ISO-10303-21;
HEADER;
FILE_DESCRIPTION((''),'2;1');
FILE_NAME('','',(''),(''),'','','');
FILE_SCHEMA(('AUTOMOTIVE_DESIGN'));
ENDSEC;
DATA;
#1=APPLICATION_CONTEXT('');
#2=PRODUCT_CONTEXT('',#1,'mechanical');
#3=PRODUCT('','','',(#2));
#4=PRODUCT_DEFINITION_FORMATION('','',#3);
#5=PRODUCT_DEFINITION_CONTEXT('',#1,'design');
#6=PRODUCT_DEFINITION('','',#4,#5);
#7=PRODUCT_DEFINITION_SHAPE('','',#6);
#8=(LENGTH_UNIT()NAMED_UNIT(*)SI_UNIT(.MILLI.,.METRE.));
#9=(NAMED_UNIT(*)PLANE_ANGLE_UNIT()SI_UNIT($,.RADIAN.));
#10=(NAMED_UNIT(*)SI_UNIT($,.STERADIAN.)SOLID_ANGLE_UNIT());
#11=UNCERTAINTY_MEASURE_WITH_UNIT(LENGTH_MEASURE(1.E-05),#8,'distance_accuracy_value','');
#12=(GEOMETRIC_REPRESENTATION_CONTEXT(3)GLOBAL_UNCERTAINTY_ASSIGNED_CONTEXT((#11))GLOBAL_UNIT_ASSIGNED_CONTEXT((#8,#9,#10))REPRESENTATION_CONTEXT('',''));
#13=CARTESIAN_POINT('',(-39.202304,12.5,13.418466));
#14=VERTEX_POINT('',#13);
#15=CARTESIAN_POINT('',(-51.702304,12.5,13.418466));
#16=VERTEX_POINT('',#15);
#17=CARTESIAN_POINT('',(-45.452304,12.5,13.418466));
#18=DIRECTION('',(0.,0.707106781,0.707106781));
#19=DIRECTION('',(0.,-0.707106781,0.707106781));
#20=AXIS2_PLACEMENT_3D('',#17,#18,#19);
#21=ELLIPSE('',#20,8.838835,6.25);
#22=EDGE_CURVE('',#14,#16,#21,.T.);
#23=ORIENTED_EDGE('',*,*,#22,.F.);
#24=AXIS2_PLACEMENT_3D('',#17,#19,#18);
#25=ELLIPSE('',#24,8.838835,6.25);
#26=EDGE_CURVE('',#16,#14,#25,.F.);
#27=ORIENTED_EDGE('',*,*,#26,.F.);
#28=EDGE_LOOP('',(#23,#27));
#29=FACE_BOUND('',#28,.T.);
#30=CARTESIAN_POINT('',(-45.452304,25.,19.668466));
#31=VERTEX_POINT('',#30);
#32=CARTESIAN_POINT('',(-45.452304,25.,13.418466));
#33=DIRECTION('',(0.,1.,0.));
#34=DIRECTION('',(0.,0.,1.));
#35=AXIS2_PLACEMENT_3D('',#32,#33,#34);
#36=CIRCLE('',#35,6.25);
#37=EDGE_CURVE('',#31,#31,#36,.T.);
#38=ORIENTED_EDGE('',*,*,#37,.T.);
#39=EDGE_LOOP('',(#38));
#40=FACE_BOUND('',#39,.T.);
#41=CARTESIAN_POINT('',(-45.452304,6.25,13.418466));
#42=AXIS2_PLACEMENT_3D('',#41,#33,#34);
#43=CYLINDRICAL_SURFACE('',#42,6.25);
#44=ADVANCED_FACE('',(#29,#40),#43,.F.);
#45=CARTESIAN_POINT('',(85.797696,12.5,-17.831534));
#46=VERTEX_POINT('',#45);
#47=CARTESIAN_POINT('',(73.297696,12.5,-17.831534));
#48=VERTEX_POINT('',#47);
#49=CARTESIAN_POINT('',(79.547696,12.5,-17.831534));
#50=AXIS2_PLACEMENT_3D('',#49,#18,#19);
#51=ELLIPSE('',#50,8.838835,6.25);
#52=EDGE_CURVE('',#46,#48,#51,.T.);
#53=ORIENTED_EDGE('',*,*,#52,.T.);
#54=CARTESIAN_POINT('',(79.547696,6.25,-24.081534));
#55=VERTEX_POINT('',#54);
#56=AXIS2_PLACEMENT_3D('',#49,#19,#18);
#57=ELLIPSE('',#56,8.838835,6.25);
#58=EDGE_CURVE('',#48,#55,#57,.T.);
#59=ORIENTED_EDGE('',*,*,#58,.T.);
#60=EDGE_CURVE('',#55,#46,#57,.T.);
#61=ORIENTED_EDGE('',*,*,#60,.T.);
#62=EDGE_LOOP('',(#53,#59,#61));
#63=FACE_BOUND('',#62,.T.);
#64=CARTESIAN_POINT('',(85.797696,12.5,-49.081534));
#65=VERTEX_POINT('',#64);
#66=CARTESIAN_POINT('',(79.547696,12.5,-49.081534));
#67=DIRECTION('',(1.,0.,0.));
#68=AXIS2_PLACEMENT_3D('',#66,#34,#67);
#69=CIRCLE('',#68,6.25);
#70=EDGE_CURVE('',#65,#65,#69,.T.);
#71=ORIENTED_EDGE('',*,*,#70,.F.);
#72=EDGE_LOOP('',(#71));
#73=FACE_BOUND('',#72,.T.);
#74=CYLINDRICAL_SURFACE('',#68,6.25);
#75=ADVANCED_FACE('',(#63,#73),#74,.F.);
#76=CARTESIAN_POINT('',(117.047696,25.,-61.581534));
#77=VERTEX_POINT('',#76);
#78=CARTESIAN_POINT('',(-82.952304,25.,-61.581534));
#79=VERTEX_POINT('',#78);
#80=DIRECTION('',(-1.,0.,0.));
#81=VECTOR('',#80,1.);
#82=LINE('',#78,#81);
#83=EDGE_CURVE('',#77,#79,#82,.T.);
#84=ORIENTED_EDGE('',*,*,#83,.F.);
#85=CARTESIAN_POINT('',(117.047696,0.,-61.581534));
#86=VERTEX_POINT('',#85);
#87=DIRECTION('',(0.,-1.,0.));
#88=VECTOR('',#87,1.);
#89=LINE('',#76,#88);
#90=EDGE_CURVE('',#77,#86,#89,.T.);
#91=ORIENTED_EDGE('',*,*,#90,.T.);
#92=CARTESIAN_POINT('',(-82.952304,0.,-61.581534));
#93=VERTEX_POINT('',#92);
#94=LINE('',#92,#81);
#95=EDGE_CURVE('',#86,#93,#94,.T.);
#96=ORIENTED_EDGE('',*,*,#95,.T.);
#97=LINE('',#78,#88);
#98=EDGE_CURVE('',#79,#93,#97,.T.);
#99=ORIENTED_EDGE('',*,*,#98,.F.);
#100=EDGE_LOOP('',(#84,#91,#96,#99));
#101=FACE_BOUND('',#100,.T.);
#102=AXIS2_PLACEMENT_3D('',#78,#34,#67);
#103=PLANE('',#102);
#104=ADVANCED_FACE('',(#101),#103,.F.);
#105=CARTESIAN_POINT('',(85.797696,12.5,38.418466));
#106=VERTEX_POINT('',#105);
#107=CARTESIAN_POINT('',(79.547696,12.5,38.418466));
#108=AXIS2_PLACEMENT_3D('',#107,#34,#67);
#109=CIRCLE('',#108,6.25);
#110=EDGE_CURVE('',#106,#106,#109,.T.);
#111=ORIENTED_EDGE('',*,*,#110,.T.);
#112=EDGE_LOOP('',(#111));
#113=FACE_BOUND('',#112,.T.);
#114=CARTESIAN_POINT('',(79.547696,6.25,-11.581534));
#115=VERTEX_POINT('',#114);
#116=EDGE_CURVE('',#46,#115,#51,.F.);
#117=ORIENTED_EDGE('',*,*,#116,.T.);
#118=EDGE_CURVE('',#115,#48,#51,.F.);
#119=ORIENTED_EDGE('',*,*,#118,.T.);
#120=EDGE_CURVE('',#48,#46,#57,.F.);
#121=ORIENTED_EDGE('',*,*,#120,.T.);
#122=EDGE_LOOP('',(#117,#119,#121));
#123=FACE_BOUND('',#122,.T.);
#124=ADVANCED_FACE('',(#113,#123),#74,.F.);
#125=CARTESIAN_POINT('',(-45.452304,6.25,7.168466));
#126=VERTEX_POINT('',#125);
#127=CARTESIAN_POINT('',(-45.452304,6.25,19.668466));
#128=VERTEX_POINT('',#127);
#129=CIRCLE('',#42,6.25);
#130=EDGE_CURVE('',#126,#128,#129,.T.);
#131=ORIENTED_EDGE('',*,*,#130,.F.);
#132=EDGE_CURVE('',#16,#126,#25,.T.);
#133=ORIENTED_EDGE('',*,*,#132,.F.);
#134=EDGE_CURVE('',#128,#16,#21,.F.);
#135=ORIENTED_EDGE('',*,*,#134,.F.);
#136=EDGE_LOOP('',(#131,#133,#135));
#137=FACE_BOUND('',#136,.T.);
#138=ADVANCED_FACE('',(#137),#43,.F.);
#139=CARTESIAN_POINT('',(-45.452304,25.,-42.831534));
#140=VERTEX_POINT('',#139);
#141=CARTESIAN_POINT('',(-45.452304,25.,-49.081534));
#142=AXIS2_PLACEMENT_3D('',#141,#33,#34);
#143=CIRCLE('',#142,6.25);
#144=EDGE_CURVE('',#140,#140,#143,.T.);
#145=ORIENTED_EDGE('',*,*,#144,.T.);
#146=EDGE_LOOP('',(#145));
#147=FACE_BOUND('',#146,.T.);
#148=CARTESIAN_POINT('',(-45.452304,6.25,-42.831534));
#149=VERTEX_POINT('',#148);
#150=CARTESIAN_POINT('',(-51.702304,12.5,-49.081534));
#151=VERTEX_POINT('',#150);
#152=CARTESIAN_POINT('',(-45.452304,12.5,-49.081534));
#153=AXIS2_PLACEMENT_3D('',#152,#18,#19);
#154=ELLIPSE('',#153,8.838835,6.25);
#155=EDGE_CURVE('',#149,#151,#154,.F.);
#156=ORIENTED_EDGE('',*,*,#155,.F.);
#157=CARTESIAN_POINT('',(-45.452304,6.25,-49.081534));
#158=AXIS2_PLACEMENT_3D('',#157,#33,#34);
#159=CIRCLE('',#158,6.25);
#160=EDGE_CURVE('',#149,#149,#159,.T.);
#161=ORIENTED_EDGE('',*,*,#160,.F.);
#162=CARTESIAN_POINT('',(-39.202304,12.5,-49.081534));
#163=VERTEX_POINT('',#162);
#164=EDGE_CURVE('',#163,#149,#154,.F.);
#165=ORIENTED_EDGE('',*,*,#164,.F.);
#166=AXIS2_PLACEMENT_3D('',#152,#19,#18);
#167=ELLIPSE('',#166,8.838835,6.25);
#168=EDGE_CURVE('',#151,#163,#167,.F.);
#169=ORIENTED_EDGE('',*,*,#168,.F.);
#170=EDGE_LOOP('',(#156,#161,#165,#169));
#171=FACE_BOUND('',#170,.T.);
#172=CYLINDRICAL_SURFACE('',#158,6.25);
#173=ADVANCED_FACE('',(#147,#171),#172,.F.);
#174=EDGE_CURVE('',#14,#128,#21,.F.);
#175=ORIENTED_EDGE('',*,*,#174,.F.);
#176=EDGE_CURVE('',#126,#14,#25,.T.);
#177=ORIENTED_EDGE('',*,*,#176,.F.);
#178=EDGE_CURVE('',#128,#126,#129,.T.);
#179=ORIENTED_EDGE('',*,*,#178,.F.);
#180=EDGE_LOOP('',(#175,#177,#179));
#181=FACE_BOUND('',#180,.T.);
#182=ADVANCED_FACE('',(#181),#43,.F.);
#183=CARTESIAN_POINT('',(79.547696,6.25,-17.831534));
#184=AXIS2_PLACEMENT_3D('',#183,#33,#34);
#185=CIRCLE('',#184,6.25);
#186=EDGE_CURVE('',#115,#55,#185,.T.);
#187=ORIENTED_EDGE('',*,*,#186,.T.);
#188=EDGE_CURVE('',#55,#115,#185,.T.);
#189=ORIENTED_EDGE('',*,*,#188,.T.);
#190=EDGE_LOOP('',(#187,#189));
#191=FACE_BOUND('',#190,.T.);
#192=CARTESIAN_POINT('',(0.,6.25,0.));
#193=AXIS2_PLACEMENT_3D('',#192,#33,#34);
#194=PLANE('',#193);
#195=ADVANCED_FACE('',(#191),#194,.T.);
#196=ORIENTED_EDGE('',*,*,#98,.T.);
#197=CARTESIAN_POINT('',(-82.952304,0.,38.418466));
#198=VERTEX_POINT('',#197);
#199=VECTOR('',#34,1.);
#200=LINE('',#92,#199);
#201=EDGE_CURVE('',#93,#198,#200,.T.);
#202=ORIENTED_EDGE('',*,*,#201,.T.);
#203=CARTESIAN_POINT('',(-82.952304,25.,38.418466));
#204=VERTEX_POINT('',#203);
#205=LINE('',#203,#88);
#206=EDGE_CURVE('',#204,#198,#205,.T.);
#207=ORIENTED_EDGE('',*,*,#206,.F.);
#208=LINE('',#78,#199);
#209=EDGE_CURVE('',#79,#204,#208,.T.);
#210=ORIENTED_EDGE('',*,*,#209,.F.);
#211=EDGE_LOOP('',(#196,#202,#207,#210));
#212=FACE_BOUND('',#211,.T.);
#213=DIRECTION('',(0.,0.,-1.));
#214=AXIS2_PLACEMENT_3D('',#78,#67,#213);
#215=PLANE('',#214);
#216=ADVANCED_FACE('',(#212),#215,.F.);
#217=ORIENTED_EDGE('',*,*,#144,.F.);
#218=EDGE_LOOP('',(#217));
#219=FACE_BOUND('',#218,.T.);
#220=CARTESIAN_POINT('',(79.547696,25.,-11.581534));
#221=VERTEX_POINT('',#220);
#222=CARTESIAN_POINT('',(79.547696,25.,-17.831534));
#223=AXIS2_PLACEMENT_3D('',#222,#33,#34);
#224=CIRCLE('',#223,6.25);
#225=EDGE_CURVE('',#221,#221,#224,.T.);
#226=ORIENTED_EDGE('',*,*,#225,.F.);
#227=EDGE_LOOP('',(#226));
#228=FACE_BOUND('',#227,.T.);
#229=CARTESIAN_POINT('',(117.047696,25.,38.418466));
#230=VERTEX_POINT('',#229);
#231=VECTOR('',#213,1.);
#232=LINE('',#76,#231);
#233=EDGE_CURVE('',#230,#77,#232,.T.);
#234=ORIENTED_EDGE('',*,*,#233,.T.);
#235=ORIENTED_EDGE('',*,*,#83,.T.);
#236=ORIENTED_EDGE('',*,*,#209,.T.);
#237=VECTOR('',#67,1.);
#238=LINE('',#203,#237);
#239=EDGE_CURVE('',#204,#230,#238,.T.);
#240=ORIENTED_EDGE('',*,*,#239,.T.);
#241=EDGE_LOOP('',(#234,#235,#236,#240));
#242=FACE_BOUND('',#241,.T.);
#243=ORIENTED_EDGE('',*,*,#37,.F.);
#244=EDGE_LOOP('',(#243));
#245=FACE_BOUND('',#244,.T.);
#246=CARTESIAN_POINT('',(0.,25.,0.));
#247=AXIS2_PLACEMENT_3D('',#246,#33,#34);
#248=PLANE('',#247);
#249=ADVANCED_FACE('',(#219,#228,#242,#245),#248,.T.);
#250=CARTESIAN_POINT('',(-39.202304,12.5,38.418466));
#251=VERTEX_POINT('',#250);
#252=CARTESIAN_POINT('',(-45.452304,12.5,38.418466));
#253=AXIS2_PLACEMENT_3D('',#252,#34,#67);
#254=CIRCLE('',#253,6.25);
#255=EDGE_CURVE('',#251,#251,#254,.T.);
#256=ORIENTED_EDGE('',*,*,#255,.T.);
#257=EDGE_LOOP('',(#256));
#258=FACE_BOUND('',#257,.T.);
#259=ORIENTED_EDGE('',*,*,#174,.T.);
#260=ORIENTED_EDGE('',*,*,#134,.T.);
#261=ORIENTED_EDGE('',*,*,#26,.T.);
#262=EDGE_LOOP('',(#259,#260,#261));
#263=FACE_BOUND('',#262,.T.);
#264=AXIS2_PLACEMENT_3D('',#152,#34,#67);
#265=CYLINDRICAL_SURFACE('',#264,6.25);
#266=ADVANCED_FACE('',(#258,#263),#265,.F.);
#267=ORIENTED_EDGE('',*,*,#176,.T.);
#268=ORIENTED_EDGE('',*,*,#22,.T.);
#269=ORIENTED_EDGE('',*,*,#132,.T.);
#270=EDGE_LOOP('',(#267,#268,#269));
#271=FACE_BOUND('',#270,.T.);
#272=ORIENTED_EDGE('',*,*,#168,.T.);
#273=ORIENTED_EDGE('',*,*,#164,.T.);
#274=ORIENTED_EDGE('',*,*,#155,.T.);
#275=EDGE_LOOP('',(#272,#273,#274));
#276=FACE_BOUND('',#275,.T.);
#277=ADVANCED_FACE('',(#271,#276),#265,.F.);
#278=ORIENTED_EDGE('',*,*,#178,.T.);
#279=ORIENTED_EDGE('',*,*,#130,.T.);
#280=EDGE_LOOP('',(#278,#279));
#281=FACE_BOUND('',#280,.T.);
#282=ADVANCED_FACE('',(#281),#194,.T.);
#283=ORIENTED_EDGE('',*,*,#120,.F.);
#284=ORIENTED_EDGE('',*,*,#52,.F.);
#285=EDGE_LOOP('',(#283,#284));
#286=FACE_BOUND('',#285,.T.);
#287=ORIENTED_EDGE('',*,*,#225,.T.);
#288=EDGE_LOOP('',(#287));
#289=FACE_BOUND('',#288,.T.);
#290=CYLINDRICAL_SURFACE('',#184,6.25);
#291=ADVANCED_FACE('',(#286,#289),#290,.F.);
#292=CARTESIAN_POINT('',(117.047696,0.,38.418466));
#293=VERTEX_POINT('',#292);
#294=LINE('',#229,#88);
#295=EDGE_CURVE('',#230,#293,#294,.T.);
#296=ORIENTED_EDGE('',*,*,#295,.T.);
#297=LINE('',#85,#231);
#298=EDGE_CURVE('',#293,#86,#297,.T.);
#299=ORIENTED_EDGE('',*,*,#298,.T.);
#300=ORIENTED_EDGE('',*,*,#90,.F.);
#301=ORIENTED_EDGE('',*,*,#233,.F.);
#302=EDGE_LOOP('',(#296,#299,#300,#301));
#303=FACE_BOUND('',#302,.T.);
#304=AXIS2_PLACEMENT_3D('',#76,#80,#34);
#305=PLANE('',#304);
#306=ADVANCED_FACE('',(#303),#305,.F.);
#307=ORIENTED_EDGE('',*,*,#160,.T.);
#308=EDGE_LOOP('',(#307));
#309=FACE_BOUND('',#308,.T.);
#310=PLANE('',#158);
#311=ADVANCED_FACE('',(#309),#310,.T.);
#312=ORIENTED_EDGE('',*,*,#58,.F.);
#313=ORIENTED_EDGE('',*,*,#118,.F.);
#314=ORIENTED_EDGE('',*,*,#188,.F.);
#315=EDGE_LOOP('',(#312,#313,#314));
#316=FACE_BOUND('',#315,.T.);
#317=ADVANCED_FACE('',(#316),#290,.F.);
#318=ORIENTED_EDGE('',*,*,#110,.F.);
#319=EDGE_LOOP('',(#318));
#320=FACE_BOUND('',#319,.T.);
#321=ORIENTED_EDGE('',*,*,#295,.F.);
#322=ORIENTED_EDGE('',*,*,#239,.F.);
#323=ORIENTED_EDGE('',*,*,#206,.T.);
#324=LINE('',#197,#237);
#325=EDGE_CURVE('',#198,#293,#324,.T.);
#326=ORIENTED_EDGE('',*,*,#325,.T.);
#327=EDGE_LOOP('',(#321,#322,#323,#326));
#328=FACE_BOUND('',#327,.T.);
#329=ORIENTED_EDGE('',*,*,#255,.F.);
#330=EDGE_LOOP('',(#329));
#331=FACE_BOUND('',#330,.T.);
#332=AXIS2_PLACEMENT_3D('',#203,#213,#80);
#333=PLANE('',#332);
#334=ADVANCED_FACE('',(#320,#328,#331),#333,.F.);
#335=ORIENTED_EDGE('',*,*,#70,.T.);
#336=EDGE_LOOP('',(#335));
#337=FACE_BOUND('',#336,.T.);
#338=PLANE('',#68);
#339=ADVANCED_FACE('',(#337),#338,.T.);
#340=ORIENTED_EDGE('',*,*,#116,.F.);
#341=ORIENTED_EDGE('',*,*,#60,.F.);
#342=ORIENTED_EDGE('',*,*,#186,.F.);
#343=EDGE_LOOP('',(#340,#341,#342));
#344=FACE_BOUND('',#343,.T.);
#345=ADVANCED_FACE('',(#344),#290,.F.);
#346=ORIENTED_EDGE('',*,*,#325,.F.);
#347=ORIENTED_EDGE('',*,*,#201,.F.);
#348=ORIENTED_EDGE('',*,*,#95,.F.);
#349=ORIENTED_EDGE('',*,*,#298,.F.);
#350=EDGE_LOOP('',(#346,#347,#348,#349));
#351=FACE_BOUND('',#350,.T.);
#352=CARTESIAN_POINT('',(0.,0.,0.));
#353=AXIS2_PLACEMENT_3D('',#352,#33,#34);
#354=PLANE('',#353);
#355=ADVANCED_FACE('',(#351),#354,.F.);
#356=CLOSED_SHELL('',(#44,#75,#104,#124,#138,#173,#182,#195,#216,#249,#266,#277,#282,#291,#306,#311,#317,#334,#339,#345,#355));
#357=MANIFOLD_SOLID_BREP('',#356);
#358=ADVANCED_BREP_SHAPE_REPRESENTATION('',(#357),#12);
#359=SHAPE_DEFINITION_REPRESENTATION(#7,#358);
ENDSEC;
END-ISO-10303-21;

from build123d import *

# Parameters (mm, degrees)
SKETCH1_W           = 200
SKETCH1_H           = 100
BOSS_EXTRUDE1_DEPTH = 25
SKETCH2_R           = 6.25
CUT_EXTRUDE1_DEPTH  = 87.5
SKETCH3_R           = 6.25
CUT_EXTRUDE2_DEPTH  = 18.75


with BuildPart() as part:
    # Sketch1 → Boss-Extrude1 (new body)
    with BuildSketch(Plane(origin=(0, 0, 0), x_dir=(1, 0, 0), z_dir=(0, 1, 0))):
        with Locations((17.047695894, 11.5815341)):
            Rectangle(SKETCH1_W, SKETCH1_H)
    extrude(amount=BOSS_EXTRUDE1_DEPTH)

    # Sketch2 → Cut-Extrude1 (cut)
    with BuildSketch(Plane.XY.offset(38.4184659)):
        with Locations((-45.452304106, 12.5)):
            Circle(SKETCH2_R)
        with Locations((79.547695894, 12.5)):
            Circle(SKETCH2_R)
    extrude(amount=-CUT_EXTRUDE1_DEPTH, mode=Mode.SUBTRACT)

    # Sketch3 → Cut-Extrude2 (cut)
    with BuildSketch(Plane(origin=(0, 25, 0), x_dir=(1, 0, 0), z_dir=(0, 1, 0))):
        with Locations(Location((-45.452304106, -13.4184659, 0), (0, 0, 270))):
            Circle(SKETCH3_R)
        with Locations(Location((-45.452304106, 49.0815341, 0), (0, 0, 270))):
            Circle(SKETCH3_R)
        with Locations(Location((79.547695894, 17.8315341, 0), (0, 0, 270))):
            Circle(SKETCH3_R)
    extrude(amount=-CUT_EXTRUDE2_DEPTH, mode=Mode.SUBTRACT)


solid = part.part
